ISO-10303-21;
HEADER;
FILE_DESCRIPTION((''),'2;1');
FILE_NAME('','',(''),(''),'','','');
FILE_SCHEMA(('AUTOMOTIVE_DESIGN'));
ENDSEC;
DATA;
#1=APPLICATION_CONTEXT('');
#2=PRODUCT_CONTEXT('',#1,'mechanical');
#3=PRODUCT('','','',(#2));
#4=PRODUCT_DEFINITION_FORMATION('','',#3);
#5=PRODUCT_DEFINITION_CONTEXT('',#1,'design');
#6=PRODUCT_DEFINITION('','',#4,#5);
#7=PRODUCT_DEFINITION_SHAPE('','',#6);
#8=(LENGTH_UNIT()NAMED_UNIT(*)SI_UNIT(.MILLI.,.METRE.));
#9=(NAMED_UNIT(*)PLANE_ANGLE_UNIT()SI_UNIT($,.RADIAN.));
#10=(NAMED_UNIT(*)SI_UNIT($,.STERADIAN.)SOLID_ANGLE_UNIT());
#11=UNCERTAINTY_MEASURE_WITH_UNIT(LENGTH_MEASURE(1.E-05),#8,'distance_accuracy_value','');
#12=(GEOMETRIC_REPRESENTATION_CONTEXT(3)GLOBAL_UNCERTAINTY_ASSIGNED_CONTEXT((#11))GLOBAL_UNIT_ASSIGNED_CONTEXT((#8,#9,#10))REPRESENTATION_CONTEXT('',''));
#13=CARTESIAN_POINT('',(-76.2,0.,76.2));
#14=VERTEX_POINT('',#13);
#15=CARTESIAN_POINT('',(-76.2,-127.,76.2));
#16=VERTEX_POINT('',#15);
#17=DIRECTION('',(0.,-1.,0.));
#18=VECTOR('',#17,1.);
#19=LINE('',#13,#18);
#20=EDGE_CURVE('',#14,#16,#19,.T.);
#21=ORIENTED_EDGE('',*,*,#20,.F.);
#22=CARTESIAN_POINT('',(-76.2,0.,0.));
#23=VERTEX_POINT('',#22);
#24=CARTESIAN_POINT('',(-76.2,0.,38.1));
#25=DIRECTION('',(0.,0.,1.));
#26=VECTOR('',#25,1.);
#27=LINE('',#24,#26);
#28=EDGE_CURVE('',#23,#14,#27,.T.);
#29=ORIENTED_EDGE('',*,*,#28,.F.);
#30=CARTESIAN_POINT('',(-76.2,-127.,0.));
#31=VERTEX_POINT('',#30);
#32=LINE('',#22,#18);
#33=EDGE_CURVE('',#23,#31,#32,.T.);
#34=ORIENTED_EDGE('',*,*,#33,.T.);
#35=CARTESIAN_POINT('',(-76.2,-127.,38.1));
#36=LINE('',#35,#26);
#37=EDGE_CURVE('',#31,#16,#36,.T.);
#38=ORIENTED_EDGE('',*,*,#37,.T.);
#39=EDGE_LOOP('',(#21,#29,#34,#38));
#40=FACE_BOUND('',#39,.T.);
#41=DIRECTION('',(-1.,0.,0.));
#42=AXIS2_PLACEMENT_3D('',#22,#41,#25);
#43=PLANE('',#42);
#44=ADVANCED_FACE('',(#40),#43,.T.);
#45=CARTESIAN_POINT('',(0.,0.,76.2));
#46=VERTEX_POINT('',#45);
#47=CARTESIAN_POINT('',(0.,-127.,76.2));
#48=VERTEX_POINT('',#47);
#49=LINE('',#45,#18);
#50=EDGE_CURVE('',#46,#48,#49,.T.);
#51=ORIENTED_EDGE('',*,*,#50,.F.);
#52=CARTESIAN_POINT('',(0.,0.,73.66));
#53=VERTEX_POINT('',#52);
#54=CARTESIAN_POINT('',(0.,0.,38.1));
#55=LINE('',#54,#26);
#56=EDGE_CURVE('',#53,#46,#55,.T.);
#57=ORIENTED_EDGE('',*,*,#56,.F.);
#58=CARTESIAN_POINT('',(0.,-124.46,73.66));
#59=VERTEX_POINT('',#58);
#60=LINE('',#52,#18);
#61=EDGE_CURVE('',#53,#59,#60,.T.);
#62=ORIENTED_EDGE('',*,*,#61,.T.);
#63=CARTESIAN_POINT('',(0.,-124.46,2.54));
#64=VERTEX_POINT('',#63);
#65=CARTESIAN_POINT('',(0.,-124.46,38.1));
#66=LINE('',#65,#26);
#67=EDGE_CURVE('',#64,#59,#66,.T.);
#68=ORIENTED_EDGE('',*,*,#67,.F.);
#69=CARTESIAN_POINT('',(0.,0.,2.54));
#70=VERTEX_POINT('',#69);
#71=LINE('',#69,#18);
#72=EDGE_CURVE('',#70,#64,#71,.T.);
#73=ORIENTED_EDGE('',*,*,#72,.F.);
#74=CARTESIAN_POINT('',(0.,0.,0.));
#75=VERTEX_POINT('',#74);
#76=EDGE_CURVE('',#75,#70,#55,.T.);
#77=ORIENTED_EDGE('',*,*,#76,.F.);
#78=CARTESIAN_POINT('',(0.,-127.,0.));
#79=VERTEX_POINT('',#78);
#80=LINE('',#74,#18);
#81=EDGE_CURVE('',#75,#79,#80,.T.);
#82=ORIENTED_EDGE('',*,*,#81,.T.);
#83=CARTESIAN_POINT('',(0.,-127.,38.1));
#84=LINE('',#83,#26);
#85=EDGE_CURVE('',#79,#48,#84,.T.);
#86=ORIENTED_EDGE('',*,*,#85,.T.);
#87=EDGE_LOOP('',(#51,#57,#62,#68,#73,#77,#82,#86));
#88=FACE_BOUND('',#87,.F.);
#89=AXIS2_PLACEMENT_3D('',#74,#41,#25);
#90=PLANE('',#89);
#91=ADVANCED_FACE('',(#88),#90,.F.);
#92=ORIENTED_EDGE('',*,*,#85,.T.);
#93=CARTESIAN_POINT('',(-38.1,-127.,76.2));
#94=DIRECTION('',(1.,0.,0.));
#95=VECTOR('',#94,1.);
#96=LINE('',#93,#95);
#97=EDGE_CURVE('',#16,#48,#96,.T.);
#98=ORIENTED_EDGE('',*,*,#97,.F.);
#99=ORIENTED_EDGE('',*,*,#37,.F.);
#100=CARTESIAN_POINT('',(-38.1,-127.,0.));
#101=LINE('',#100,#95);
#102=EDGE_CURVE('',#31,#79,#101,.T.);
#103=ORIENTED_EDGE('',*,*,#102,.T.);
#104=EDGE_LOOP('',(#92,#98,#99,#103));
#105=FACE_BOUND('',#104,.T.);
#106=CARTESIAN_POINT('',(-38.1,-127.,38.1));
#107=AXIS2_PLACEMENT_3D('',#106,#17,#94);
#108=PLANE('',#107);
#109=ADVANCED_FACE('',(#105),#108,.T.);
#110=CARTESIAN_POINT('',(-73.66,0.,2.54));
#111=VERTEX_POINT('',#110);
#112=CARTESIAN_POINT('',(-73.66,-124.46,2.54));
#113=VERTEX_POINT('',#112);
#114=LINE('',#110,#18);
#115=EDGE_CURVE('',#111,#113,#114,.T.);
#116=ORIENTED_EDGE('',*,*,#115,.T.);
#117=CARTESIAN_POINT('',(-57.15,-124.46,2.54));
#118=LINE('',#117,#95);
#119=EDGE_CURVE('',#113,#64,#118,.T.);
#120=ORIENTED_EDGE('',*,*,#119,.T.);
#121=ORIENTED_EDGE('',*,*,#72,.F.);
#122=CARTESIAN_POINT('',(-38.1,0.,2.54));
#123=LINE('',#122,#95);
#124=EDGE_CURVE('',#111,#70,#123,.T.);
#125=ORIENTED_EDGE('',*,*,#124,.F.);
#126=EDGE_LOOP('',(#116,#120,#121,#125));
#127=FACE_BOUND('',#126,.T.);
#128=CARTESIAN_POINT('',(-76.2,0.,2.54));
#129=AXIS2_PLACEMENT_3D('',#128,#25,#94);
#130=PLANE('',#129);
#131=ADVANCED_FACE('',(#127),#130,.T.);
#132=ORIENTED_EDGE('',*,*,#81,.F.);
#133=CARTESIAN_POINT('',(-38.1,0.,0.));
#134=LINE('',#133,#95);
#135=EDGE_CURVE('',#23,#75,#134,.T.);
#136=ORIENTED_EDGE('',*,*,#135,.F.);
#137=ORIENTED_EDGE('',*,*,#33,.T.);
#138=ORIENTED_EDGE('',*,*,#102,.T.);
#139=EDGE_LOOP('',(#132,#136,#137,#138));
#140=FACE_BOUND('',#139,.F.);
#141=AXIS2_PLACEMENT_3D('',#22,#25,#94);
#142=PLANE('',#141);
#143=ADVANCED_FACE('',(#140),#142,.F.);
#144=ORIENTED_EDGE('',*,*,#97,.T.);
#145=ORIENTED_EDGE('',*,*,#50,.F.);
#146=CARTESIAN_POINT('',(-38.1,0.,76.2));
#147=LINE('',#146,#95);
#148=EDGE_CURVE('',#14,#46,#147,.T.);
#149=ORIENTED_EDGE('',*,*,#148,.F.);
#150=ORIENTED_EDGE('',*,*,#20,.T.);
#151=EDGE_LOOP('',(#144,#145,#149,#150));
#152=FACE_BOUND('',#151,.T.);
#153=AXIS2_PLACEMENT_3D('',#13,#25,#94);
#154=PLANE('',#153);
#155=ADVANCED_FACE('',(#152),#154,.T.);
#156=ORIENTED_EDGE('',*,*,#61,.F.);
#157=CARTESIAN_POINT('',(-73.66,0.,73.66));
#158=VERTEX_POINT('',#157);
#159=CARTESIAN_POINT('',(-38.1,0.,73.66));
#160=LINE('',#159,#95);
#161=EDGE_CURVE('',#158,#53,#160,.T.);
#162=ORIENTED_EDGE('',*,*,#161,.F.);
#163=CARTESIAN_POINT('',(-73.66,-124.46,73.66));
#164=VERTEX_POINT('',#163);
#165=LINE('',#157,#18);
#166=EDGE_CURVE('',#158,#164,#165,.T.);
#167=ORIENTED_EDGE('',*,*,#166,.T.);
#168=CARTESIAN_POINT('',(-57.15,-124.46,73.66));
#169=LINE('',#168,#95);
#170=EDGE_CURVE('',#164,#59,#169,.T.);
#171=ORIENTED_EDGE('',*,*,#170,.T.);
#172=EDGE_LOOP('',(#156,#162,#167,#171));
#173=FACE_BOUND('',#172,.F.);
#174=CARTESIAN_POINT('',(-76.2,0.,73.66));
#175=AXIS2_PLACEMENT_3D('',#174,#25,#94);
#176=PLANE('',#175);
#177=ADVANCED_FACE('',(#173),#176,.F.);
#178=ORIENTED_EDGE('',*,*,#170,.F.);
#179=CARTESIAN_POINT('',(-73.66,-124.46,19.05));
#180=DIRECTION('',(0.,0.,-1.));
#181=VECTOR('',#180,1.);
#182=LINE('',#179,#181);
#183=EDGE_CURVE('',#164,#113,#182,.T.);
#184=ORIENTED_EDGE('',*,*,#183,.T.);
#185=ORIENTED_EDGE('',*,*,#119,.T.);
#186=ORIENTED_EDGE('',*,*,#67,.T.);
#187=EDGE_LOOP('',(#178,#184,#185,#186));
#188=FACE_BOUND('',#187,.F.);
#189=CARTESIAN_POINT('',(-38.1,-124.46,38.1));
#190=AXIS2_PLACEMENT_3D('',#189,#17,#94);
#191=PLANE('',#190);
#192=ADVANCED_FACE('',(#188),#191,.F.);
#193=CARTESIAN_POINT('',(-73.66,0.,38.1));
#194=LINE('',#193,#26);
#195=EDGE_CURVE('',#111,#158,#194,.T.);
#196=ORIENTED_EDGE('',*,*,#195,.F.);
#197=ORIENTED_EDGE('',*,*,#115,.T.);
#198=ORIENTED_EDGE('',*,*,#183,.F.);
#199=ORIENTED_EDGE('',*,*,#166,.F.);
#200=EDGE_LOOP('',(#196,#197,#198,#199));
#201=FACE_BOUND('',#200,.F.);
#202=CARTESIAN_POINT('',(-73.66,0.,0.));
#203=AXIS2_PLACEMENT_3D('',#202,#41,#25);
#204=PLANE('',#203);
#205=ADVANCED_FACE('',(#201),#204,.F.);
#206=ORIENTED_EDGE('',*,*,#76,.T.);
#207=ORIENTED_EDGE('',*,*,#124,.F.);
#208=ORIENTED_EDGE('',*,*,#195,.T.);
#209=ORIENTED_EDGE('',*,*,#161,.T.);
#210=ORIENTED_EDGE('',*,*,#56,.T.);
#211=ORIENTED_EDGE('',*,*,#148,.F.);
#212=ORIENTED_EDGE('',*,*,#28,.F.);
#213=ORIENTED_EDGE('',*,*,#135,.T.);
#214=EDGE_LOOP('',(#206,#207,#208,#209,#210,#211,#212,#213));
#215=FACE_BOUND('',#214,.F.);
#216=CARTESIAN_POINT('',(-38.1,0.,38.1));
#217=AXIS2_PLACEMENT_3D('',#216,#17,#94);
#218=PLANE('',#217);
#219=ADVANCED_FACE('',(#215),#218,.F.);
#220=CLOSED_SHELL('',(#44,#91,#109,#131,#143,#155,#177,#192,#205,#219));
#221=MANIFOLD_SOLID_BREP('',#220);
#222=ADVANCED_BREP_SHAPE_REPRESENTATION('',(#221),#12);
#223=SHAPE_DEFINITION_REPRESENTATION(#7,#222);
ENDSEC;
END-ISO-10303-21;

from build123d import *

# Parameters (mm, degrees)
F0_W     = 76.2
F0_H     = 76.2
F1_DEPTH = 127
F2_T     = -2.54


with BuildPart() as f1:
    # F0 (on Front) → F1 (new body)
    with BuildSketch(Plane.XZ):
        with Locations((-38.1, 38.1)):
            Rectangle(F0_W, F0_H)
    extrude(amount=F1_DEPTH)

    # F2
    f2_openings = [f1.faces().sort_by_distance(p)[0] for p in [
        (-38.1, 0, 38.1),
        (0, -63.5, 38.1),
    ]]
    offset(amount=F2_T, openings=f2_openings)


solid = f1.part
